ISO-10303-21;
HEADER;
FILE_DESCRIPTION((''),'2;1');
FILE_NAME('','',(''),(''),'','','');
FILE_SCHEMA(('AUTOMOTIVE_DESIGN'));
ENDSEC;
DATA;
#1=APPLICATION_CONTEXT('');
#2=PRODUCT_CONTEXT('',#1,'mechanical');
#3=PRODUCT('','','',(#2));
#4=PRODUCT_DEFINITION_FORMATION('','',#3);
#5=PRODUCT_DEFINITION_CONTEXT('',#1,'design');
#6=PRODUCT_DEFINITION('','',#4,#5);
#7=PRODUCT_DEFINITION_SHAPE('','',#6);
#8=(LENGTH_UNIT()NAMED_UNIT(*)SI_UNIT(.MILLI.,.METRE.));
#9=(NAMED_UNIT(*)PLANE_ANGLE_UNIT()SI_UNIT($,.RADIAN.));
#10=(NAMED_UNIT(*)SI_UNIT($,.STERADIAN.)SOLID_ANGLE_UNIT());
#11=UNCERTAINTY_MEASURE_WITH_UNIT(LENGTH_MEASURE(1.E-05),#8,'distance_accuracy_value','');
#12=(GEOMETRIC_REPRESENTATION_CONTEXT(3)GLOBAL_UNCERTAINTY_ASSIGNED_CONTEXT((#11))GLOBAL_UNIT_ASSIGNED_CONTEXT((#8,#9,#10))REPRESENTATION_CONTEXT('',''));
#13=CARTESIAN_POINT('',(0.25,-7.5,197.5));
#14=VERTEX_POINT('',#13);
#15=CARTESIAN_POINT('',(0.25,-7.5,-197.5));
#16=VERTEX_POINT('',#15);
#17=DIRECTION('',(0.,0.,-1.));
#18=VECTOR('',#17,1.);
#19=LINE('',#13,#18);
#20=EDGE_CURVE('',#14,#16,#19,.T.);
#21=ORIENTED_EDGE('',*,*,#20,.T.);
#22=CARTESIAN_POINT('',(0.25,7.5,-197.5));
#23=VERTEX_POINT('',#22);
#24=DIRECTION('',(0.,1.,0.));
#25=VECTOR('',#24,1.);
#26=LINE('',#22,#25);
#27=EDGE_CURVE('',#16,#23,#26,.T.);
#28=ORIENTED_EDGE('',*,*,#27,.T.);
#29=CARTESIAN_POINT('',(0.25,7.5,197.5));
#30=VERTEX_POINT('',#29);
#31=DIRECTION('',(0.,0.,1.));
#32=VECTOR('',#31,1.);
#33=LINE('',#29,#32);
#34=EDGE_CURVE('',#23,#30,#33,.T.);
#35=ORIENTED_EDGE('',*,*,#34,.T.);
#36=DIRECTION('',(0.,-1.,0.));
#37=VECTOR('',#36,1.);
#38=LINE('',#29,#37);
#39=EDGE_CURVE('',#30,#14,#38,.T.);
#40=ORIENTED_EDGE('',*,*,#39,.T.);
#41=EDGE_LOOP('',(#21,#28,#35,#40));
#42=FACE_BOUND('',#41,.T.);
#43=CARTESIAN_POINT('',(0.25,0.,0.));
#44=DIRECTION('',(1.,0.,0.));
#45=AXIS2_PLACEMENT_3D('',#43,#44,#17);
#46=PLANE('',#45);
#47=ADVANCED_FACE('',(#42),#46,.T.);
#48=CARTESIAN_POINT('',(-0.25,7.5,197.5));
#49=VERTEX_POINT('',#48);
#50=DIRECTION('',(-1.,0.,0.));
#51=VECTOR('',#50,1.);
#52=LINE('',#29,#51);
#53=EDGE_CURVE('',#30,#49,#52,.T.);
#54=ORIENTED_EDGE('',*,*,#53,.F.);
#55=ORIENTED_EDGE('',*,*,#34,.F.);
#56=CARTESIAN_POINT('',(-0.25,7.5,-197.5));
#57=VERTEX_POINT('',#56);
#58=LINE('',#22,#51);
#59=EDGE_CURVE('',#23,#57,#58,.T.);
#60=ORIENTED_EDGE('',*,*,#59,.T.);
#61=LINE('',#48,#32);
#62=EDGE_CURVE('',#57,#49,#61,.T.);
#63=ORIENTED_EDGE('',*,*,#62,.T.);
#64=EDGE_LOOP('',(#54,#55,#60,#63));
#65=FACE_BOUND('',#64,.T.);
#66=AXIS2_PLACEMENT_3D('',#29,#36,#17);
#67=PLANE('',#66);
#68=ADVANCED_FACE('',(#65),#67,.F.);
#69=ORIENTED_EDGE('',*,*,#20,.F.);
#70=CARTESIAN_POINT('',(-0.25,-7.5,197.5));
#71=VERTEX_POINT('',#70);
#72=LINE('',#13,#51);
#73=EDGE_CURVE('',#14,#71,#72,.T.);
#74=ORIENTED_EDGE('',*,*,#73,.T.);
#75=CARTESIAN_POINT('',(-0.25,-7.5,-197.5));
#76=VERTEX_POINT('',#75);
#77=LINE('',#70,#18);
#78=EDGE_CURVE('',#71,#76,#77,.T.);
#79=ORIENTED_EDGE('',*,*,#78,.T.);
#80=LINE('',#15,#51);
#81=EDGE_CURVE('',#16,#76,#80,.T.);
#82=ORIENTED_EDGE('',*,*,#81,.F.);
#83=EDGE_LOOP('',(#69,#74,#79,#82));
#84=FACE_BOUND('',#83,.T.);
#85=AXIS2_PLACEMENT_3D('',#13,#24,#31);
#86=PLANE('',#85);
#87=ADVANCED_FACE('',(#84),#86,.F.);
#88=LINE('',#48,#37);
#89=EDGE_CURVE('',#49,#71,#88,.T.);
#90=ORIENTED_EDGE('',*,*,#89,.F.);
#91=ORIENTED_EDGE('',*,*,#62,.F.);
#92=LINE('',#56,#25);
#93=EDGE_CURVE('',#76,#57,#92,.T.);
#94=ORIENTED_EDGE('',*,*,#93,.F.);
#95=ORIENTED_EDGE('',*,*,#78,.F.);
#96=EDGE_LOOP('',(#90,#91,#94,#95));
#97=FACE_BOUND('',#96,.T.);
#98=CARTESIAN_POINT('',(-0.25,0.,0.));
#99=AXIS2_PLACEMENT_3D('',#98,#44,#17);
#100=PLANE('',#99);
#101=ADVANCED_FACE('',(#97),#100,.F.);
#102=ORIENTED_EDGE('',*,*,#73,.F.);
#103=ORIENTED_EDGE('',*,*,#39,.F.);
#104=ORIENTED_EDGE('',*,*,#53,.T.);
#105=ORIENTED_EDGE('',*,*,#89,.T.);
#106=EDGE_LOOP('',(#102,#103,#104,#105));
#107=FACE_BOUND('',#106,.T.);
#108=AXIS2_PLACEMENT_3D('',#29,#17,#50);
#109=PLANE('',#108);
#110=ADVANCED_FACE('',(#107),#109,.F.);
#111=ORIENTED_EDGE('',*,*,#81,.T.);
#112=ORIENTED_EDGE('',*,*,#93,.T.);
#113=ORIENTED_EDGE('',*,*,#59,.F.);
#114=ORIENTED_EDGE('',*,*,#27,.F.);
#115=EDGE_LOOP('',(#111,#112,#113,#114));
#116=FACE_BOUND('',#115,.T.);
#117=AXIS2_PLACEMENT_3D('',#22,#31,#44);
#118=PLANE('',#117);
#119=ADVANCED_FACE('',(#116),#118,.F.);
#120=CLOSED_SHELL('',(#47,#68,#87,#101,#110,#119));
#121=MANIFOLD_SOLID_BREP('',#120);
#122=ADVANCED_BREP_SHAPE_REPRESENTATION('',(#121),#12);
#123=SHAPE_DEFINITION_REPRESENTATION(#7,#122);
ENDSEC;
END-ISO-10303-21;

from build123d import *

# Parameters (mm, degrees)
SKETCH1_W           = 395
SKETCH1_H           = 15
BOSS_EXTRUDE1_DEPTH = 0.25


with BuildPart() as part:
    # Sketch1 → Boss-Extrude1 (new, symmetric)
    with BuildSketch(Plane(origin=(0, 0, 0), x_dir=(0, 0, -1), z_dir=(1, 0, 0))):
        Rectangle(SKETCH1_W, SKETCH1_H)
    extrude(amount=BOSS_EXTRUDE1_DEPTH, both=True)


solid = part.part
